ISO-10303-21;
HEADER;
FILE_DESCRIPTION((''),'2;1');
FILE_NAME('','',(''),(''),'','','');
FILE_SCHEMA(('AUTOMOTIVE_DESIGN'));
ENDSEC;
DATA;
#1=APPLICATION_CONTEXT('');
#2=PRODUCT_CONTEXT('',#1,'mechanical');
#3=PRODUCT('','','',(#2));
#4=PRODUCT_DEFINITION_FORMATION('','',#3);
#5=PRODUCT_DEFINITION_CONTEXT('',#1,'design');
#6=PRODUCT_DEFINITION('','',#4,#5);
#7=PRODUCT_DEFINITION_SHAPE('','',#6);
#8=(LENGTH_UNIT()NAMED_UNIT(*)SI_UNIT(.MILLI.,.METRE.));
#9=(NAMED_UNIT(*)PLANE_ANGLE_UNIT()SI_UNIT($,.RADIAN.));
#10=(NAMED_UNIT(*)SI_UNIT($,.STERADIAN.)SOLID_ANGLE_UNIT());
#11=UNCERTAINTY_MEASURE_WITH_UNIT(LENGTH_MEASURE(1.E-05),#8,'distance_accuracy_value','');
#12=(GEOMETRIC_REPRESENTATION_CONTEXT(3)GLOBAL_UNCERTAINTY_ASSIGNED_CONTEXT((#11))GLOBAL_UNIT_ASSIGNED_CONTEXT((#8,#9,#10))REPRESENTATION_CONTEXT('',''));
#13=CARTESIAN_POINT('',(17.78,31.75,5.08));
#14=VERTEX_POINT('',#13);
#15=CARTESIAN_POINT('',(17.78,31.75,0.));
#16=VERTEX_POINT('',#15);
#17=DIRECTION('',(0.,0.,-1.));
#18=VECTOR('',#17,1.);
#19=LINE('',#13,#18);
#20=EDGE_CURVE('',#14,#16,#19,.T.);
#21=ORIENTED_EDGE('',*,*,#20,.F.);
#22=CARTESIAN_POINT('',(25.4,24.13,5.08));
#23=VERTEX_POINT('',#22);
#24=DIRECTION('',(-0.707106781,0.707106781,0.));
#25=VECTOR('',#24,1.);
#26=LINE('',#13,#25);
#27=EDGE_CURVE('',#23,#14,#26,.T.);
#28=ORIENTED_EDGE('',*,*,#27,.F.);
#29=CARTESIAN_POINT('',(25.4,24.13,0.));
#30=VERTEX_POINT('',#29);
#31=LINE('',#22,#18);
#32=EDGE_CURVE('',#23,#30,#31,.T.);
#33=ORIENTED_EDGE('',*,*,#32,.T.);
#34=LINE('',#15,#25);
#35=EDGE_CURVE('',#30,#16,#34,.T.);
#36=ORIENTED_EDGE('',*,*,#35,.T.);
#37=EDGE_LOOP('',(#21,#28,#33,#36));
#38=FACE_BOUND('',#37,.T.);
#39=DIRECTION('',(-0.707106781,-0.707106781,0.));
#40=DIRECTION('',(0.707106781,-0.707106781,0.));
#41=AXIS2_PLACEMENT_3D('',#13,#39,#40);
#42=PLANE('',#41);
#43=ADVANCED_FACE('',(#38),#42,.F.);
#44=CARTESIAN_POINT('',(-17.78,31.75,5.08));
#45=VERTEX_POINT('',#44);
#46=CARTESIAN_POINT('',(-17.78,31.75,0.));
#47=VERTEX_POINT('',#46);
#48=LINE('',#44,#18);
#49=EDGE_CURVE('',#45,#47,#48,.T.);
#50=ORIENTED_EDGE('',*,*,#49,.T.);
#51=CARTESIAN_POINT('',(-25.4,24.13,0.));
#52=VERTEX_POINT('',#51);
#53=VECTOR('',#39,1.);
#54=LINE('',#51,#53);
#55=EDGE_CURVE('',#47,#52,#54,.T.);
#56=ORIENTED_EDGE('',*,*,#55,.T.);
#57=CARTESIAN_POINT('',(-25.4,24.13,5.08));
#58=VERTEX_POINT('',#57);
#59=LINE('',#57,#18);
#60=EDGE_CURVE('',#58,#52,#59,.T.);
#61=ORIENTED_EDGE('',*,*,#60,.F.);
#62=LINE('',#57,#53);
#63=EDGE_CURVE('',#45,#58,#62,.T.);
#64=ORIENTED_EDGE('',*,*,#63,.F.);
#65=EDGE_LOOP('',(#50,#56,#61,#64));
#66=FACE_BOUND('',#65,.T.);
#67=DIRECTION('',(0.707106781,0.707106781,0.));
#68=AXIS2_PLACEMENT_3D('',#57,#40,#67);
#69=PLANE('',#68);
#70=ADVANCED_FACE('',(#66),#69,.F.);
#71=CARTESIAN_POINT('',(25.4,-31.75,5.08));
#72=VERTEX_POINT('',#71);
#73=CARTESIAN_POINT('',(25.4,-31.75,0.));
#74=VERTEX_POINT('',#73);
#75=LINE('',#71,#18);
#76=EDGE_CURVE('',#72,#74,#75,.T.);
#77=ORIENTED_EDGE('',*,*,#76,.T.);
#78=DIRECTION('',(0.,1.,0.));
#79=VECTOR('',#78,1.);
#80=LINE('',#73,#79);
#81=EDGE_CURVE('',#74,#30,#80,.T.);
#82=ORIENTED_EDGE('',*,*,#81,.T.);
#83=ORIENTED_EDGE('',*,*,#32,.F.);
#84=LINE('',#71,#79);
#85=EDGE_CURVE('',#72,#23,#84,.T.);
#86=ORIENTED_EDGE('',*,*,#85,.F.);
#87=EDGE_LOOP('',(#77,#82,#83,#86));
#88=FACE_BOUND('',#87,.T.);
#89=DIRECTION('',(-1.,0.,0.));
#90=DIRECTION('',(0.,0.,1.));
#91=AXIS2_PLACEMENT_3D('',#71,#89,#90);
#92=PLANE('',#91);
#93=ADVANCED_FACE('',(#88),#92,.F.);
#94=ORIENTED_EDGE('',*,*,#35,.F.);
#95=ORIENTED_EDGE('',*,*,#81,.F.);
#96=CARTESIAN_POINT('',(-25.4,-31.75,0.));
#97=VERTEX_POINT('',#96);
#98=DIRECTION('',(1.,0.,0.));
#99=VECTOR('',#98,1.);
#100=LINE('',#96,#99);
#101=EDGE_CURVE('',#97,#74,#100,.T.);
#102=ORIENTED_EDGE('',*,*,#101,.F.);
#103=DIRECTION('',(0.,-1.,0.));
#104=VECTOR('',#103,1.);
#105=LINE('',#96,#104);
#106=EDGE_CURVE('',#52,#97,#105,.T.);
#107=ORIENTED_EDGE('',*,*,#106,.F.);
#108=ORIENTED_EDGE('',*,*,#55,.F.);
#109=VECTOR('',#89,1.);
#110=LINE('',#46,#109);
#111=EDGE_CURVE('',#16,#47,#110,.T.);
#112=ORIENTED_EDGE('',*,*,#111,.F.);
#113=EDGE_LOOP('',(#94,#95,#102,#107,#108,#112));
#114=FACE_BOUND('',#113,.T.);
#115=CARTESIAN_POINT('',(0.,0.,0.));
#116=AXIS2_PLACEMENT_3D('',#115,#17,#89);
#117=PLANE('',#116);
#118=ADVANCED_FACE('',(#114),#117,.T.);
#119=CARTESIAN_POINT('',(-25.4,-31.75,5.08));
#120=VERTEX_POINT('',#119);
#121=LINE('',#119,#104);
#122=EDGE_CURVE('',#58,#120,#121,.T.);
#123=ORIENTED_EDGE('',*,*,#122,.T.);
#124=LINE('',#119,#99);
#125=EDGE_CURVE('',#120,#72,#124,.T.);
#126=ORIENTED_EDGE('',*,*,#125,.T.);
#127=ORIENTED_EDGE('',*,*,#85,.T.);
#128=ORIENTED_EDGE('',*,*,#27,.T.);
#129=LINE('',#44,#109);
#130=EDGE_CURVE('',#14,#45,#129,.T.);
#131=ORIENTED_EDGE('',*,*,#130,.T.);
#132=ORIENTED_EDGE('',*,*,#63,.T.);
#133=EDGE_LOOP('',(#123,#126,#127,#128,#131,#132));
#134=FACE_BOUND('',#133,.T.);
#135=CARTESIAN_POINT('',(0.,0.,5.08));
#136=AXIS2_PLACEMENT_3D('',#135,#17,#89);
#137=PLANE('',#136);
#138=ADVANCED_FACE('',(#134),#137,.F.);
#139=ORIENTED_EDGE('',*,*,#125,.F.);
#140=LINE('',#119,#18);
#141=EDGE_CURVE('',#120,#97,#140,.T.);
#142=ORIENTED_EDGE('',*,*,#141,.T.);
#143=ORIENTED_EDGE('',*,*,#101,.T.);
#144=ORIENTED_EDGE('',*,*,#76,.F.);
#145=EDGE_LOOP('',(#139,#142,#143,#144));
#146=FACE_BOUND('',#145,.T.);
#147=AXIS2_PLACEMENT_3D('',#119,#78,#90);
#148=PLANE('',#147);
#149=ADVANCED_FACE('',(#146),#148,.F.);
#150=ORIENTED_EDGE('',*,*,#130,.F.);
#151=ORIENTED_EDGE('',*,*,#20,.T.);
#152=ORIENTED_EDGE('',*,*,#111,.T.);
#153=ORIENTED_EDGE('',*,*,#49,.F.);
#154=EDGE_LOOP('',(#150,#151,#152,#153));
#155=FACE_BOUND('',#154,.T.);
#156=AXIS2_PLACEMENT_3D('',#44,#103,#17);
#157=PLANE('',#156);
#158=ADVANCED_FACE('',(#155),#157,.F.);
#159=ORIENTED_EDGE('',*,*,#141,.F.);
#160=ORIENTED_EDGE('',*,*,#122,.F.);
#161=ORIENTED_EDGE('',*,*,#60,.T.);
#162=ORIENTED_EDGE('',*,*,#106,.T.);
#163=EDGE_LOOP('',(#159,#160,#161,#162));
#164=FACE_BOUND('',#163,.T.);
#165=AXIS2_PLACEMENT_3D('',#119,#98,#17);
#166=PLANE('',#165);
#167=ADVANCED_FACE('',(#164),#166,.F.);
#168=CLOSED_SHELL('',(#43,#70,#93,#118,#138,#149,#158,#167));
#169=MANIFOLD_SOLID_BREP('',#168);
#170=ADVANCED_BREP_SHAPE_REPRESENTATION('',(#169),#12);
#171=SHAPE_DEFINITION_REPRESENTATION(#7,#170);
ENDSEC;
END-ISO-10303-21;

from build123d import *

# Parameters (mm, degrees)
BOSS_EXTRUDE1_DEPTH = 5.08


with BuildPart() as part:
    # Sketch1 → Boss-Extrude1 (new body)
    with BuildSketch(Plane.XY):
        Polygon((-25.4, 24.13), (-17.78, 31.75), (17.78, 31.75), (25.4, 24.13), (25.4, -31.75), (-25.4, -31.75), align=None)
    extrude(amount=BOSS_EXTRUDE1_DEPTH)


solid = part.part
